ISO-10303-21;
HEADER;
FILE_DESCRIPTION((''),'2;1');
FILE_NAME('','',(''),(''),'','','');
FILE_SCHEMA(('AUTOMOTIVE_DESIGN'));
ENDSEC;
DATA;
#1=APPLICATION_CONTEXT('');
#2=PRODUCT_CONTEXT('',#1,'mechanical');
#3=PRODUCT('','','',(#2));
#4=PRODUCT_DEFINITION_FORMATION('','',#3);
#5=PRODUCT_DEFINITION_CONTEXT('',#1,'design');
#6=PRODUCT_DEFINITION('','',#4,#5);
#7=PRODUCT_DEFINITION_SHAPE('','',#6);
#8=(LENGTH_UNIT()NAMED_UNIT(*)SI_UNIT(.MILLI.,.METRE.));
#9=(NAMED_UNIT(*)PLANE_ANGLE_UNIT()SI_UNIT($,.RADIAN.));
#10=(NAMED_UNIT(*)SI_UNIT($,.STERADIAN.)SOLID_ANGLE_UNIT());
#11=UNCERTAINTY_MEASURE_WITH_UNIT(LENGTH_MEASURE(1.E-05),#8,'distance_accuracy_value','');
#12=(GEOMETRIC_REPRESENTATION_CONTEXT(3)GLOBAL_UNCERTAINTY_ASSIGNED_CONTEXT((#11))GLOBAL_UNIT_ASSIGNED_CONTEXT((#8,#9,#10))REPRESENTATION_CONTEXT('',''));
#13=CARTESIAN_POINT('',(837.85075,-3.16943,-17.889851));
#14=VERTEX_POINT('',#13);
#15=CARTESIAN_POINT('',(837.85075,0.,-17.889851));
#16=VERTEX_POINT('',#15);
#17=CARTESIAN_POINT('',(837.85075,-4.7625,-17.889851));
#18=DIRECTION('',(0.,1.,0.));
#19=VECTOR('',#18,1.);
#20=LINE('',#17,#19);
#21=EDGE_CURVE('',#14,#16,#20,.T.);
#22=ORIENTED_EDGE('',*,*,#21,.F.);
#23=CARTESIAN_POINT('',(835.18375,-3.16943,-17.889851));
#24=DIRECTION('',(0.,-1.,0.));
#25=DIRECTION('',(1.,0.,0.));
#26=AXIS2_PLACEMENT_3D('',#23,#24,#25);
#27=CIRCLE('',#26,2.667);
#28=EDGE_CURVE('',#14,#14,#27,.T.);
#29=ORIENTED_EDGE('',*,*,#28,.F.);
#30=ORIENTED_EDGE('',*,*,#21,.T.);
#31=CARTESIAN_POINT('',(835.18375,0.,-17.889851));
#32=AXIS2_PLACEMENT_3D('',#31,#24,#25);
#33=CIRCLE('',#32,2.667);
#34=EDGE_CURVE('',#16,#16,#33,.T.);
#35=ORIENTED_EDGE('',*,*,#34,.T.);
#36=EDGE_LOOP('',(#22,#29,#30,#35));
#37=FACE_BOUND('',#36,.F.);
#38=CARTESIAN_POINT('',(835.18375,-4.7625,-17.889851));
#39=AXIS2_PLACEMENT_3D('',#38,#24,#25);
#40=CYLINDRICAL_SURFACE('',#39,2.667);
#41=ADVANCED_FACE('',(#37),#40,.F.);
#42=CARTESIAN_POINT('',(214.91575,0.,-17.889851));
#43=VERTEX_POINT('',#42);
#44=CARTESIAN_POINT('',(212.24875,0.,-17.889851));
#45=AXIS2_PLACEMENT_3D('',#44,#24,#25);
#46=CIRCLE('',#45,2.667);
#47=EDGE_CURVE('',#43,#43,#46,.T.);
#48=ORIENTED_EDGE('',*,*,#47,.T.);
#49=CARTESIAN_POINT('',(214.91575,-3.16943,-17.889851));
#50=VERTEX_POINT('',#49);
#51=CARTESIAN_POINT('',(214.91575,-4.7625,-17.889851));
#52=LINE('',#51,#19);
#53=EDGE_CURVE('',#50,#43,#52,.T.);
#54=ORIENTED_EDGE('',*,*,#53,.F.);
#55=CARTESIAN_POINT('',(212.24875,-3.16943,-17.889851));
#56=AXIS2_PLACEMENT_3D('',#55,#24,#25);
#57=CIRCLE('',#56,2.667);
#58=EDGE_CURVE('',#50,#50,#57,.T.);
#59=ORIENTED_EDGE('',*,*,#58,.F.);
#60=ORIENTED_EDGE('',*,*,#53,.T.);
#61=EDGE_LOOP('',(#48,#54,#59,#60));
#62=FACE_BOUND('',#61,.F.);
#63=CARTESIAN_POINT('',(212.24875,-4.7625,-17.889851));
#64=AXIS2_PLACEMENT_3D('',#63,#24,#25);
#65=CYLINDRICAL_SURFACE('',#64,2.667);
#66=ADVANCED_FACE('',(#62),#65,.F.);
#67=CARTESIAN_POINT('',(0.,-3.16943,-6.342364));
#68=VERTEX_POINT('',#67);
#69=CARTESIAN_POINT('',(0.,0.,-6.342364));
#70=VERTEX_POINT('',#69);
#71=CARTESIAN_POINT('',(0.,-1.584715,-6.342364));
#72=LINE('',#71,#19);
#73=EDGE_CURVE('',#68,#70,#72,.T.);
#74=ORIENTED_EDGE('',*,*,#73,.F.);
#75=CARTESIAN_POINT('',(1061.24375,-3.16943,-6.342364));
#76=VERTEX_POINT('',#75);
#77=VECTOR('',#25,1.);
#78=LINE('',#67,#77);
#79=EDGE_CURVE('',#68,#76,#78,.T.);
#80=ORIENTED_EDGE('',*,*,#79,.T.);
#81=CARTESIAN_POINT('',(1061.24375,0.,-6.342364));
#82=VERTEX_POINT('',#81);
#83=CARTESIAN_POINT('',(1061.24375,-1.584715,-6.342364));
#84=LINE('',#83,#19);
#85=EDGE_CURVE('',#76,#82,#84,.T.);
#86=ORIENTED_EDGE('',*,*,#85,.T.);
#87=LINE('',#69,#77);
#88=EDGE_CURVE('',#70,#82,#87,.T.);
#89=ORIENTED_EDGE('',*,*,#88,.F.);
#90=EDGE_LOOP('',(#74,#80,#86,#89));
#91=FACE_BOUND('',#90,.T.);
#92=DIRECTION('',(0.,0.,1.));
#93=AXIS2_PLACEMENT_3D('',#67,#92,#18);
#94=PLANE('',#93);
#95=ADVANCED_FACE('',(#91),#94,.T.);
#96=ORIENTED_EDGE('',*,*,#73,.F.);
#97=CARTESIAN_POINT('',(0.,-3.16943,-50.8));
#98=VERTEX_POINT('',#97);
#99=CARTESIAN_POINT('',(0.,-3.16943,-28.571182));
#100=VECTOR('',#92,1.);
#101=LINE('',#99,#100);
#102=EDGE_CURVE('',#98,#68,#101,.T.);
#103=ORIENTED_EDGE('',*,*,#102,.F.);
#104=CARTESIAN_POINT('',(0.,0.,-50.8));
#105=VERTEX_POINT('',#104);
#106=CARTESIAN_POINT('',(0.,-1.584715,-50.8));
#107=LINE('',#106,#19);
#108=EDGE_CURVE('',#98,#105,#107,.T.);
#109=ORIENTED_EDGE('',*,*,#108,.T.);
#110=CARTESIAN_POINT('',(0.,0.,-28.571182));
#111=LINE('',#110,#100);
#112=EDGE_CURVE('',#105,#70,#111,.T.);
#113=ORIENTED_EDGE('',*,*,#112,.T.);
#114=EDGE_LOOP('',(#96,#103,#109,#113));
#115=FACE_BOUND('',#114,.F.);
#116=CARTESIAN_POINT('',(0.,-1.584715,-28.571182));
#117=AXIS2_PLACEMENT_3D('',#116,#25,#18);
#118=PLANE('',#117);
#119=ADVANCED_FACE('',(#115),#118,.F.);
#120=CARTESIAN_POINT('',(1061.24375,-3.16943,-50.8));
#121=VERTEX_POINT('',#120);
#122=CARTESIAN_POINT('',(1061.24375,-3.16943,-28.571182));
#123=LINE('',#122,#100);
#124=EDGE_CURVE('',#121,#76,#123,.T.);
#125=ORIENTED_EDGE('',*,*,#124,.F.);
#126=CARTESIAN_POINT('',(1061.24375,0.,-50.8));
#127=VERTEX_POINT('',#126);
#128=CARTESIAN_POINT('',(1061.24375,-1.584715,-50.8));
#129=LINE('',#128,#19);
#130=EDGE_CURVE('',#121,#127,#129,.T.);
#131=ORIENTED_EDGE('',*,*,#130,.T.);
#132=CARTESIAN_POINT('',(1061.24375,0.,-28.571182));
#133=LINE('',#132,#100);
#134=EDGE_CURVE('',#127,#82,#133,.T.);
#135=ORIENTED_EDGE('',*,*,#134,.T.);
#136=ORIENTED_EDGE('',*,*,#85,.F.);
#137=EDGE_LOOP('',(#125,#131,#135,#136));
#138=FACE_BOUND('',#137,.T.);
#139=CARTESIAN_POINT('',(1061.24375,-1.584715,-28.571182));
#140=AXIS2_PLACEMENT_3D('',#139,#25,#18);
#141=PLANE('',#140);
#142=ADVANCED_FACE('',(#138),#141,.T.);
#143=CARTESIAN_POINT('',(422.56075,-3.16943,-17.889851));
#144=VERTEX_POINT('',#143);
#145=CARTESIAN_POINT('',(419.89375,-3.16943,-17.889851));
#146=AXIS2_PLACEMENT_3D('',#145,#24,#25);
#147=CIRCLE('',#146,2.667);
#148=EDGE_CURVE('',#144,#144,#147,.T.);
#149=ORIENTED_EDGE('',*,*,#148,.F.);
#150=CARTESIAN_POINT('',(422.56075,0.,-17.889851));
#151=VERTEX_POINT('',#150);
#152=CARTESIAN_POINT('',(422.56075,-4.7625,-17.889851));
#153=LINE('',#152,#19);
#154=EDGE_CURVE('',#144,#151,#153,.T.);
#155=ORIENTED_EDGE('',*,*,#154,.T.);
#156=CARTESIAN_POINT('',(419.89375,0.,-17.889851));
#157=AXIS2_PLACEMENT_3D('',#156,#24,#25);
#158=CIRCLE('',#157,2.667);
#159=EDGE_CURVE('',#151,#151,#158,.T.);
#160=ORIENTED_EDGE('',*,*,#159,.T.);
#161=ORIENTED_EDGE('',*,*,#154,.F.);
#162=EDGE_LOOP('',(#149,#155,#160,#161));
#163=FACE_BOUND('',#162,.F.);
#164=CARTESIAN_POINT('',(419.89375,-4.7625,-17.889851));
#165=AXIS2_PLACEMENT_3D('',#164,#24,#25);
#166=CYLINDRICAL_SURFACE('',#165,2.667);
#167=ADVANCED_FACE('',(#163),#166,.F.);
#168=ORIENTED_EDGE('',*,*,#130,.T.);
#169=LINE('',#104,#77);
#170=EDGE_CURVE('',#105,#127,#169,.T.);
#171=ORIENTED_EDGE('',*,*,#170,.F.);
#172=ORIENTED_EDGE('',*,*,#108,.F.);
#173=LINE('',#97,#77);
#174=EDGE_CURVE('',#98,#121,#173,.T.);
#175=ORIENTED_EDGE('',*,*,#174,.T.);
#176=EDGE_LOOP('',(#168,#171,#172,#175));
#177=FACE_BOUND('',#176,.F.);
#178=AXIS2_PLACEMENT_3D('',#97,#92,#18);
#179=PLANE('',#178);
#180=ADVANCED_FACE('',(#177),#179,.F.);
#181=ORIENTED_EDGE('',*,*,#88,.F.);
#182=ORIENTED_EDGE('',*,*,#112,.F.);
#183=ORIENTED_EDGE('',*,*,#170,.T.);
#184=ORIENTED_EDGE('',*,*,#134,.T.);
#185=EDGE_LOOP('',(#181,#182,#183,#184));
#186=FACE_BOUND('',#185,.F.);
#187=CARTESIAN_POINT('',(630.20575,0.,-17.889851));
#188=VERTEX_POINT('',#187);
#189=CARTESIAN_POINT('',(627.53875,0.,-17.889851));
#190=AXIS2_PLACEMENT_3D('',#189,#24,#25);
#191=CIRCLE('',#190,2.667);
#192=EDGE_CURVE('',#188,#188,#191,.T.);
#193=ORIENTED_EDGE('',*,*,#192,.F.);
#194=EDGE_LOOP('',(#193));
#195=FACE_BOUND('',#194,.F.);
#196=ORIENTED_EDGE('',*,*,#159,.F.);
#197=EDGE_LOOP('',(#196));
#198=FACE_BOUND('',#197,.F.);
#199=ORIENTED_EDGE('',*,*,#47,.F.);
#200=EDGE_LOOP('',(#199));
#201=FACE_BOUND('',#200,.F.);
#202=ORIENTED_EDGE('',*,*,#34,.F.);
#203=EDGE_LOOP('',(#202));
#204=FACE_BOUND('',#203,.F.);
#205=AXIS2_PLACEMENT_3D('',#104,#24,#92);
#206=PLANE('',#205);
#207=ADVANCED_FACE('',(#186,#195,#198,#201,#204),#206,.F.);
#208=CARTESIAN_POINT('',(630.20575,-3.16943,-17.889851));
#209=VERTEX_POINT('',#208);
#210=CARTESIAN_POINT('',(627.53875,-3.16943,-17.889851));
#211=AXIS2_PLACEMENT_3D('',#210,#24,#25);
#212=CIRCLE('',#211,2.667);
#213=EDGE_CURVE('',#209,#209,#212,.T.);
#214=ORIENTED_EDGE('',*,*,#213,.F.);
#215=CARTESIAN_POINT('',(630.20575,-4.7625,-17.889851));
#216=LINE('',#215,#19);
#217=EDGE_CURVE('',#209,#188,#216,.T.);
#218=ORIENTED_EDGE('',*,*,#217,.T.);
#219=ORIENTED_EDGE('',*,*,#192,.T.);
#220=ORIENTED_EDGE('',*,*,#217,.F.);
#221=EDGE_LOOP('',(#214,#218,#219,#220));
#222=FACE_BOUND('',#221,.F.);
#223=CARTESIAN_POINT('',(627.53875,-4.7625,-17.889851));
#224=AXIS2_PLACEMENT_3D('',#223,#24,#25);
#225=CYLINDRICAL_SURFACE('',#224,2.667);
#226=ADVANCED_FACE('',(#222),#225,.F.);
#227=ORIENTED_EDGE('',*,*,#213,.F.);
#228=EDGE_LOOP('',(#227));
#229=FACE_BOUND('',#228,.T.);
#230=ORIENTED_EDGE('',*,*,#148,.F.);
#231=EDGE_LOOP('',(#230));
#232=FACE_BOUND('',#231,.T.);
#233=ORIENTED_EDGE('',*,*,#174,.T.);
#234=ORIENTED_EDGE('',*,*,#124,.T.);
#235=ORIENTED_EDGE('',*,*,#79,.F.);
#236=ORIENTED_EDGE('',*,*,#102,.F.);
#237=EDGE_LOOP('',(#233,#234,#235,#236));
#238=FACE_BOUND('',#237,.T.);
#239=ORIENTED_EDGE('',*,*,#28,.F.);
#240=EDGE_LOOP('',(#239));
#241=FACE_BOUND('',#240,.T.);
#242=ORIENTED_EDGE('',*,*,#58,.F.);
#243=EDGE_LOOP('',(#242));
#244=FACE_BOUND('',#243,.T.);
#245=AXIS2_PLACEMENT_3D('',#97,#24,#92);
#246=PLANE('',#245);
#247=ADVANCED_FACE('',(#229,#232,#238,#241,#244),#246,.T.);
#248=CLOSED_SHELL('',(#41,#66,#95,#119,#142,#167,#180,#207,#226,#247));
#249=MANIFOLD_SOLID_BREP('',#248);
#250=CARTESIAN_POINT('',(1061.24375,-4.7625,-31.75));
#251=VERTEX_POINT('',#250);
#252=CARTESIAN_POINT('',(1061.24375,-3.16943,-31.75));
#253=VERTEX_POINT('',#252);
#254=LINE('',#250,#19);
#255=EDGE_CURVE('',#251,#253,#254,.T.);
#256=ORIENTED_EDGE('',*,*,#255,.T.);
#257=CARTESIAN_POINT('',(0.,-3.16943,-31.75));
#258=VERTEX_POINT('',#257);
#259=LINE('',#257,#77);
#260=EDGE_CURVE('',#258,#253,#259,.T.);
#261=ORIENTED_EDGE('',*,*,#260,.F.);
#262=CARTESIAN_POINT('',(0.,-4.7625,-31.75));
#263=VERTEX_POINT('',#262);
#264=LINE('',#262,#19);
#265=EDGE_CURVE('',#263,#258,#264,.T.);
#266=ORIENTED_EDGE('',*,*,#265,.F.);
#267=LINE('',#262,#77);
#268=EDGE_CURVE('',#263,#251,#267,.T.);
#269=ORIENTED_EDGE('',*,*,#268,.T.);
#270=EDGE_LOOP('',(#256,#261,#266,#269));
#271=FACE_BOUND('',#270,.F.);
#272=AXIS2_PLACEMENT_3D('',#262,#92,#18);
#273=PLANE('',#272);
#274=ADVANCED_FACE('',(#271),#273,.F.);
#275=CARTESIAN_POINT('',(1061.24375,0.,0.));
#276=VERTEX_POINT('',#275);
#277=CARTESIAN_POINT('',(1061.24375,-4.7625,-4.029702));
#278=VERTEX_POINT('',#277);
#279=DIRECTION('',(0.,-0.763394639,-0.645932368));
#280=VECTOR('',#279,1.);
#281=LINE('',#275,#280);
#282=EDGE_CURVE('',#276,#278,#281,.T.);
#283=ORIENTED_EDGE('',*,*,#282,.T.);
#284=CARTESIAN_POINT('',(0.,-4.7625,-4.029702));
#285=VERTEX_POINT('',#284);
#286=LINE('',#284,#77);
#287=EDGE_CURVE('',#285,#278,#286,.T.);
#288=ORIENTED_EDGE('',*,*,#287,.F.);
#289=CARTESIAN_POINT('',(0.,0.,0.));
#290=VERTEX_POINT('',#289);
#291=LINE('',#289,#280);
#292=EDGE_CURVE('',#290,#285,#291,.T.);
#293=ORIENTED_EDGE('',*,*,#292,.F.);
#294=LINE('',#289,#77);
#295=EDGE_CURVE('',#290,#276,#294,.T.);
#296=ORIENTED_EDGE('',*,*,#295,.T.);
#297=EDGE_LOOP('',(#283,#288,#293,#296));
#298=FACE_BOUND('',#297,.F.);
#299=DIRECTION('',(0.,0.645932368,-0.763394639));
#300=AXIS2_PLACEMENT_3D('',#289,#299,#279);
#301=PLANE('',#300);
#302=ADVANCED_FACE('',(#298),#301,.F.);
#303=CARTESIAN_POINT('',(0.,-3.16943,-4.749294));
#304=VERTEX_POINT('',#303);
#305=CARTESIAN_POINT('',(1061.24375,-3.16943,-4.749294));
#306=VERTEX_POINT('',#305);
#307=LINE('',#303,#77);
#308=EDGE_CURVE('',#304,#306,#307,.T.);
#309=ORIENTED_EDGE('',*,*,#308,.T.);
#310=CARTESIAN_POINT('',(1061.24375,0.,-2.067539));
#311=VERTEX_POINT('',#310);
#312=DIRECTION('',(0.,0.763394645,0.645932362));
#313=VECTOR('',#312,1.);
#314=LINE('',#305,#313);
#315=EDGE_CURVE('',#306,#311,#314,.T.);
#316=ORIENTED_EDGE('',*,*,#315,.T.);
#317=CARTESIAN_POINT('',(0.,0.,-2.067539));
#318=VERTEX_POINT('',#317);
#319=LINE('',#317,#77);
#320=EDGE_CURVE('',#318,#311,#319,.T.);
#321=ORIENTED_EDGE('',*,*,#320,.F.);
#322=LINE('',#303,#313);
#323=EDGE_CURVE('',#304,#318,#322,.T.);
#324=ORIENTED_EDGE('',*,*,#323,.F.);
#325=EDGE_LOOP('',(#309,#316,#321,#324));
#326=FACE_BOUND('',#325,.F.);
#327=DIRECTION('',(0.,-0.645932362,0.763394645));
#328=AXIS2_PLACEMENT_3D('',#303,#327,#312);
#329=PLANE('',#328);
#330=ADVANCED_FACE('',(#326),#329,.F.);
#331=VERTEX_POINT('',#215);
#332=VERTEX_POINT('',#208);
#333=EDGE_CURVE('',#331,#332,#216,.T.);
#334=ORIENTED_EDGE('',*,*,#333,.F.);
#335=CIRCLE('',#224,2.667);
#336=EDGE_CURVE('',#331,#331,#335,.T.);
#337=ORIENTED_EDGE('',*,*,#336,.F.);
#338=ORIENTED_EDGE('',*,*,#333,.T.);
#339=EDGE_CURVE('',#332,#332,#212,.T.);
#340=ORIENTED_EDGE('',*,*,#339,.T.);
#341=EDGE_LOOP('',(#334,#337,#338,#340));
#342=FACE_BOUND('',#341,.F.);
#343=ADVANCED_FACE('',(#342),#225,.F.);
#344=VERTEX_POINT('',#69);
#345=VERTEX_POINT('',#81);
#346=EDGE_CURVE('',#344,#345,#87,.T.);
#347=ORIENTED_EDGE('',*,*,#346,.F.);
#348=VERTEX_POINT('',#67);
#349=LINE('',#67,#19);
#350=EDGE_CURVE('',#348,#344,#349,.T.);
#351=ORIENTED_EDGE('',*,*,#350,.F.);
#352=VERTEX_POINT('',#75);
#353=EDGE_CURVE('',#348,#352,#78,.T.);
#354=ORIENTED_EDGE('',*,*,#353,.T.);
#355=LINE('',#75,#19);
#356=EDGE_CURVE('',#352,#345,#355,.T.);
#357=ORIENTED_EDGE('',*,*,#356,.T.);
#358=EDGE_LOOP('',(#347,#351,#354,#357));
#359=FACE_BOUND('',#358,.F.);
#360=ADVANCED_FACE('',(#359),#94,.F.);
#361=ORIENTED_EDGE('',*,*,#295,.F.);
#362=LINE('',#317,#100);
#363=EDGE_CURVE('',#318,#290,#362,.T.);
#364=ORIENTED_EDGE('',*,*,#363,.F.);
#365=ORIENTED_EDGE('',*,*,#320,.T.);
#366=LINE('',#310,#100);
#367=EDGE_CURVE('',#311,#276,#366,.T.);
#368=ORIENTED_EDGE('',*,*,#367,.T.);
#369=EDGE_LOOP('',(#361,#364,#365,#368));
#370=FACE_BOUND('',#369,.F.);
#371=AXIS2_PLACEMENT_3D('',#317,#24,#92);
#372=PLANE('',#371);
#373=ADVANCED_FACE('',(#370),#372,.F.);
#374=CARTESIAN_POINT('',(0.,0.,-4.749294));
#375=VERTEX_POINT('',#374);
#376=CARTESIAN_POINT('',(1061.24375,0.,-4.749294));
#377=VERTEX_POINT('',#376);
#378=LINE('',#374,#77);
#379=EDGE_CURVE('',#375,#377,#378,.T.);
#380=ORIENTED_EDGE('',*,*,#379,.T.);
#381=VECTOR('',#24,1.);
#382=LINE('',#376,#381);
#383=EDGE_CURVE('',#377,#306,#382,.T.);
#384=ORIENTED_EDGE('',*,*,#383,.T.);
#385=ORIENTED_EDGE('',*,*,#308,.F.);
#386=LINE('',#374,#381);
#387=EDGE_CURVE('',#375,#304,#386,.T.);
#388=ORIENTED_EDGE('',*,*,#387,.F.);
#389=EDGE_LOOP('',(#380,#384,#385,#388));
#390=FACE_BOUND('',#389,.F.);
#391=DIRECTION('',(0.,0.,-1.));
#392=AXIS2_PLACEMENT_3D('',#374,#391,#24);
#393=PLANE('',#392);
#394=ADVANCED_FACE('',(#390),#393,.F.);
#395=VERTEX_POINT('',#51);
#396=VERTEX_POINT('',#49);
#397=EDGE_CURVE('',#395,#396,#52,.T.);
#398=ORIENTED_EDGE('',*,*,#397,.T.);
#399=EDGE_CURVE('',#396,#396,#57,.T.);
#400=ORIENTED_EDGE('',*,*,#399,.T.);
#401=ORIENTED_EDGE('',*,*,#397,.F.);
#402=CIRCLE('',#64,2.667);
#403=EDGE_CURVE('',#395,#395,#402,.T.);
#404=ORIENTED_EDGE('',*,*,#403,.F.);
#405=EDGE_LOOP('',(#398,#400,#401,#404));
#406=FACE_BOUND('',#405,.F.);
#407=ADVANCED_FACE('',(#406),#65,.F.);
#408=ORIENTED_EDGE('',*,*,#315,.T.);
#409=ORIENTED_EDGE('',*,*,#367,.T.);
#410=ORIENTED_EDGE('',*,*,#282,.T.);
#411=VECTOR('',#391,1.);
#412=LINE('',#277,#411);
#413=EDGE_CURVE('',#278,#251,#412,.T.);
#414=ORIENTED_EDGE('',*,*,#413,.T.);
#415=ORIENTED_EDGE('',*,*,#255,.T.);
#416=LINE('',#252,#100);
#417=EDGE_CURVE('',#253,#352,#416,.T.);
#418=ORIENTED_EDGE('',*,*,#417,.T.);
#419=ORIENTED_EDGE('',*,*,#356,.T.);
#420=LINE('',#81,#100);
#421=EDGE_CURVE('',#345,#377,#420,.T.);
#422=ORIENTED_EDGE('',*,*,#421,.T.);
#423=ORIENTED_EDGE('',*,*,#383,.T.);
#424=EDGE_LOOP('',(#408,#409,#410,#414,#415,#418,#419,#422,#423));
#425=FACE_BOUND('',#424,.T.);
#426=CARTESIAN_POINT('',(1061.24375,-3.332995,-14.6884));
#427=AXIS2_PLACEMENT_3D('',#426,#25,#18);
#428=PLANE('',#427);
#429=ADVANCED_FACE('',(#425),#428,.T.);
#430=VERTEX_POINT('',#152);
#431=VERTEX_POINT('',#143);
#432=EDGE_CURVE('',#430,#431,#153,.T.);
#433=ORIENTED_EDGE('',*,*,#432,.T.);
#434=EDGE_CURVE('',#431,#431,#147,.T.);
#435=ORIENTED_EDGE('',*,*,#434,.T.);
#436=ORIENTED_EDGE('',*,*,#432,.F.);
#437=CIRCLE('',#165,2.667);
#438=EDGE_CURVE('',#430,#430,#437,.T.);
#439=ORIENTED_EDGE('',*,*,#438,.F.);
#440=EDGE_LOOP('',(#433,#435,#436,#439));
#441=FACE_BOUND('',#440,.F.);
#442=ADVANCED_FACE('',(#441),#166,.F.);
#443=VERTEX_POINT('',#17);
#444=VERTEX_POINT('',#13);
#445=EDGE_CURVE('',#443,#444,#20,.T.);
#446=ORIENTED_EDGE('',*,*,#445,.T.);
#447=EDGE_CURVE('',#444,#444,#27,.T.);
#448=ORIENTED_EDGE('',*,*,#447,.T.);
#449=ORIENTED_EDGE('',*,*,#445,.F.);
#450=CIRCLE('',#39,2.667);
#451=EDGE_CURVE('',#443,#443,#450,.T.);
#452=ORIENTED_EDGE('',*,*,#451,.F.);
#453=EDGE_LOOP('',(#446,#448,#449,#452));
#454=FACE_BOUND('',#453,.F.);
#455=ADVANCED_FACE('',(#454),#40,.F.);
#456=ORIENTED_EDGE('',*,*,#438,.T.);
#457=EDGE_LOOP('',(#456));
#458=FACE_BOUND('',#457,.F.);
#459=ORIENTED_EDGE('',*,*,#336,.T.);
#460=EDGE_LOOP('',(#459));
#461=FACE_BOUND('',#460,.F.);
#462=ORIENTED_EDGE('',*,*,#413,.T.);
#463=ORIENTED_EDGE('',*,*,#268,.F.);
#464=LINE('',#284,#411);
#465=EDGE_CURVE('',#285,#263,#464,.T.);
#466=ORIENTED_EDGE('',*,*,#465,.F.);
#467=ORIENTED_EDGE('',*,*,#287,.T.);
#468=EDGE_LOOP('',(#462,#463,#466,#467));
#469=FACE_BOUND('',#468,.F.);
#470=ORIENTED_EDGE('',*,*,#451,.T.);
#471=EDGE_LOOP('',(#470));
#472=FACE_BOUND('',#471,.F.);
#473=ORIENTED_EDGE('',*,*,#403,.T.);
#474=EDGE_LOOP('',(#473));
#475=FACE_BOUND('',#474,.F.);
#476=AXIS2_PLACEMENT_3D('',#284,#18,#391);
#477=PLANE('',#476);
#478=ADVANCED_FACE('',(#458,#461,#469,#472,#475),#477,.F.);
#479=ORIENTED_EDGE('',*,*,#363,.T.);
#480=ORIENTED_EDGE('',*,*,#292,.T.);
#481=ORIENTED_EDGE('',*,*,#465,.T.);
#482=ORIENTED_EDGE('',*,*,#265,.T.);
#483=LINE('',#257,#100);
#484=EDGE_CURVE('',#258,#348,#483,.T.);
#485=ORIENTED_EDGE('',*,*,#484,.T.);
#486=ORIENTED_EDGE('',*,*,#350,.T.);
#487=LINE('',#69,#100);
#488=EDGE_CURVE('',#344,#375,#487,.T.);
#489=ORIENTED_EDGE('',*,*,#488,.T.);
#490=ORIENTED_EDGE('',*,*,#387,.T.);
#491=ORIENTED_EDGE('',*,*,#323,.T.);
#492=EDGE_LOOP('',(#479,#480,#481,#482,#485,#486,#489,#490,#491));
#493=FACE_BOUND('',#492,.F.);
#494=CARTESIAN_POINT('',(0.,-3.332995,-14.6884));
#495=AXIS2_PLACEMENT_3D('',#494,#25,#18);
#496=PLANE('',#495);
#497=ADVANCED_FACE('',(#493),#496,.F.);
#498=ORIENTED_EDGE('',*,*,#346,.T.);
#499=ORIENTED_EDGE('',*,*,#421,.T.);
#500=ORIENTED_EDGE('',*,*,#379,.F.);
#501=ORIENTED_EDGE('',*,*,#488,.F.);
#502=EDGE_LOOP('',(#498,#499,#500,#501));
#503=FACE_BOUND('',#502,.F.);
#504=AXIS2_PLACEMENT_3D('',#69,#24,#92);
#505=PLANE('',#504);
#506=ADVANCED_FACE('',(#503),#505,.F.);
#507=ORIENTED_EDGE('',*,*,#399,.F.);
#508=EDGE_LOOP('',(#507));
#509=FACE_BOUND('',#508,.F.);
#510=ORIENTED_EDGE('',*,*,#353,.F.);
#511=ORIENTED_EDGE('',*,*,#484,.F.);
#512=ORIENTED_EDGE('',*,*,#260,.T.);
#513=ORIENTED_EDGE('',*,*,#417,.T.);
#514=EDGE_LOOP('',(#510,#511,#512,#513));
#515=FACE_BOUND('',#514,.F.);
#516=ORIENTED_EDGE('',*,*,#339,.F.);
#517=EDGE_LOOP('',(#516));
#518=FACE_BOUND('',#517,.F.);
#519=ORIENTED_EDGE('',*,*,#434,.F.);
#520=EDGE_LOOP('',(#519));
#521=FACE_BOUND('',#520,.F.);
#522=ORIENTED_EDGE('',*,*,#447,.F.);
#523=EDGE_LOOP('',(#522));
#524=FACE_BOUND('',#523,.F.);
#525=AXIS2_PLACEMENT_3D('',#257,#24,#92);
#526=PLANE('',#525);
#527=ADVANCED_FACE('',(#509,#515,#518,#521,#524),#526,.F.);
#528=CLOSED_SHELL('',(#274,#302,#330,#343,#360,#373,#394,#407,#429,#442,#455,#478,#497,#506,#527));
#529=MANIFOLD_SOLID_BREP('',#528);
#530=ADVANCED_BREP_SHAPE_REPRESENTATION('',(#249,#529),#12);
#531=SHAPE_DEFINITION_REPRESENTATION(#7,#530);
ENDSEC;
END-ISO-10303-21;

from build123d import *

# Parameters (mm, degrees)
F1_DEPTH = 1061.24375
F2_W     = 3.16943
F2_H     = 44.457636
F3_DEPTH = 1061.24375
F4_R     = 2.667
F5_DEPTH = 4.7635


with BuildPart() as f1:
    # F0 (on Right) → F1 (new body)
    with BuildSketch(Plane.YZ):
        Polygon((0, -2.067539), (0, 0), (-4.7625, -4.029702), (-4.7625, -31.75), (-3.16943, -31.75), (-3.16943, -6.342364), (0, -6.342364), (0, -4.749294), (-3.16943, -4.749294), align=None)
    extrude(amount=F1_DEPTH)


with BuildPart() as f3:
    # F2 (on Right) → F3 (new body, through all)
    with BuildSketch(Plane.YZ):
        with Locations((-1.584715, -28.571182)):
            Rectangle(F2_W, F2_H)
    extrude(amount=F3_DEPTH)


with BuildPart() as f5_tool:
    # F4 (on face) → F5 (new body, through all)
    with BuildSketch(Plane.XZ.offset(4.7625)):
        with Locations((212.24875, -17.889851)):
            Circle(F4_R)
        with Locations((419.89375, -17.889851)):
            Circle(F4_R)
        with Locations((627.53875, -17.889851)):
            Circle(F4_R)
        with Locations((835.18375, -17.889851)):
            Circle(F4_R)
    extrude(amount=-F5_DEPTH)


with BuildPart() as f1_1:
    add(f1.part)

    # F5: cut by f5_tool
    add(f5_tool.part, mode=Mode.SUBTRACT)


with BuildPart() as f3_1:
    add(f3.part)

    # F5: cut by f5_tool
    add(f5_tool.part, mode=Mode.SUBTRACT)


solid = Compound([f1_1.part, f3_1.part])
